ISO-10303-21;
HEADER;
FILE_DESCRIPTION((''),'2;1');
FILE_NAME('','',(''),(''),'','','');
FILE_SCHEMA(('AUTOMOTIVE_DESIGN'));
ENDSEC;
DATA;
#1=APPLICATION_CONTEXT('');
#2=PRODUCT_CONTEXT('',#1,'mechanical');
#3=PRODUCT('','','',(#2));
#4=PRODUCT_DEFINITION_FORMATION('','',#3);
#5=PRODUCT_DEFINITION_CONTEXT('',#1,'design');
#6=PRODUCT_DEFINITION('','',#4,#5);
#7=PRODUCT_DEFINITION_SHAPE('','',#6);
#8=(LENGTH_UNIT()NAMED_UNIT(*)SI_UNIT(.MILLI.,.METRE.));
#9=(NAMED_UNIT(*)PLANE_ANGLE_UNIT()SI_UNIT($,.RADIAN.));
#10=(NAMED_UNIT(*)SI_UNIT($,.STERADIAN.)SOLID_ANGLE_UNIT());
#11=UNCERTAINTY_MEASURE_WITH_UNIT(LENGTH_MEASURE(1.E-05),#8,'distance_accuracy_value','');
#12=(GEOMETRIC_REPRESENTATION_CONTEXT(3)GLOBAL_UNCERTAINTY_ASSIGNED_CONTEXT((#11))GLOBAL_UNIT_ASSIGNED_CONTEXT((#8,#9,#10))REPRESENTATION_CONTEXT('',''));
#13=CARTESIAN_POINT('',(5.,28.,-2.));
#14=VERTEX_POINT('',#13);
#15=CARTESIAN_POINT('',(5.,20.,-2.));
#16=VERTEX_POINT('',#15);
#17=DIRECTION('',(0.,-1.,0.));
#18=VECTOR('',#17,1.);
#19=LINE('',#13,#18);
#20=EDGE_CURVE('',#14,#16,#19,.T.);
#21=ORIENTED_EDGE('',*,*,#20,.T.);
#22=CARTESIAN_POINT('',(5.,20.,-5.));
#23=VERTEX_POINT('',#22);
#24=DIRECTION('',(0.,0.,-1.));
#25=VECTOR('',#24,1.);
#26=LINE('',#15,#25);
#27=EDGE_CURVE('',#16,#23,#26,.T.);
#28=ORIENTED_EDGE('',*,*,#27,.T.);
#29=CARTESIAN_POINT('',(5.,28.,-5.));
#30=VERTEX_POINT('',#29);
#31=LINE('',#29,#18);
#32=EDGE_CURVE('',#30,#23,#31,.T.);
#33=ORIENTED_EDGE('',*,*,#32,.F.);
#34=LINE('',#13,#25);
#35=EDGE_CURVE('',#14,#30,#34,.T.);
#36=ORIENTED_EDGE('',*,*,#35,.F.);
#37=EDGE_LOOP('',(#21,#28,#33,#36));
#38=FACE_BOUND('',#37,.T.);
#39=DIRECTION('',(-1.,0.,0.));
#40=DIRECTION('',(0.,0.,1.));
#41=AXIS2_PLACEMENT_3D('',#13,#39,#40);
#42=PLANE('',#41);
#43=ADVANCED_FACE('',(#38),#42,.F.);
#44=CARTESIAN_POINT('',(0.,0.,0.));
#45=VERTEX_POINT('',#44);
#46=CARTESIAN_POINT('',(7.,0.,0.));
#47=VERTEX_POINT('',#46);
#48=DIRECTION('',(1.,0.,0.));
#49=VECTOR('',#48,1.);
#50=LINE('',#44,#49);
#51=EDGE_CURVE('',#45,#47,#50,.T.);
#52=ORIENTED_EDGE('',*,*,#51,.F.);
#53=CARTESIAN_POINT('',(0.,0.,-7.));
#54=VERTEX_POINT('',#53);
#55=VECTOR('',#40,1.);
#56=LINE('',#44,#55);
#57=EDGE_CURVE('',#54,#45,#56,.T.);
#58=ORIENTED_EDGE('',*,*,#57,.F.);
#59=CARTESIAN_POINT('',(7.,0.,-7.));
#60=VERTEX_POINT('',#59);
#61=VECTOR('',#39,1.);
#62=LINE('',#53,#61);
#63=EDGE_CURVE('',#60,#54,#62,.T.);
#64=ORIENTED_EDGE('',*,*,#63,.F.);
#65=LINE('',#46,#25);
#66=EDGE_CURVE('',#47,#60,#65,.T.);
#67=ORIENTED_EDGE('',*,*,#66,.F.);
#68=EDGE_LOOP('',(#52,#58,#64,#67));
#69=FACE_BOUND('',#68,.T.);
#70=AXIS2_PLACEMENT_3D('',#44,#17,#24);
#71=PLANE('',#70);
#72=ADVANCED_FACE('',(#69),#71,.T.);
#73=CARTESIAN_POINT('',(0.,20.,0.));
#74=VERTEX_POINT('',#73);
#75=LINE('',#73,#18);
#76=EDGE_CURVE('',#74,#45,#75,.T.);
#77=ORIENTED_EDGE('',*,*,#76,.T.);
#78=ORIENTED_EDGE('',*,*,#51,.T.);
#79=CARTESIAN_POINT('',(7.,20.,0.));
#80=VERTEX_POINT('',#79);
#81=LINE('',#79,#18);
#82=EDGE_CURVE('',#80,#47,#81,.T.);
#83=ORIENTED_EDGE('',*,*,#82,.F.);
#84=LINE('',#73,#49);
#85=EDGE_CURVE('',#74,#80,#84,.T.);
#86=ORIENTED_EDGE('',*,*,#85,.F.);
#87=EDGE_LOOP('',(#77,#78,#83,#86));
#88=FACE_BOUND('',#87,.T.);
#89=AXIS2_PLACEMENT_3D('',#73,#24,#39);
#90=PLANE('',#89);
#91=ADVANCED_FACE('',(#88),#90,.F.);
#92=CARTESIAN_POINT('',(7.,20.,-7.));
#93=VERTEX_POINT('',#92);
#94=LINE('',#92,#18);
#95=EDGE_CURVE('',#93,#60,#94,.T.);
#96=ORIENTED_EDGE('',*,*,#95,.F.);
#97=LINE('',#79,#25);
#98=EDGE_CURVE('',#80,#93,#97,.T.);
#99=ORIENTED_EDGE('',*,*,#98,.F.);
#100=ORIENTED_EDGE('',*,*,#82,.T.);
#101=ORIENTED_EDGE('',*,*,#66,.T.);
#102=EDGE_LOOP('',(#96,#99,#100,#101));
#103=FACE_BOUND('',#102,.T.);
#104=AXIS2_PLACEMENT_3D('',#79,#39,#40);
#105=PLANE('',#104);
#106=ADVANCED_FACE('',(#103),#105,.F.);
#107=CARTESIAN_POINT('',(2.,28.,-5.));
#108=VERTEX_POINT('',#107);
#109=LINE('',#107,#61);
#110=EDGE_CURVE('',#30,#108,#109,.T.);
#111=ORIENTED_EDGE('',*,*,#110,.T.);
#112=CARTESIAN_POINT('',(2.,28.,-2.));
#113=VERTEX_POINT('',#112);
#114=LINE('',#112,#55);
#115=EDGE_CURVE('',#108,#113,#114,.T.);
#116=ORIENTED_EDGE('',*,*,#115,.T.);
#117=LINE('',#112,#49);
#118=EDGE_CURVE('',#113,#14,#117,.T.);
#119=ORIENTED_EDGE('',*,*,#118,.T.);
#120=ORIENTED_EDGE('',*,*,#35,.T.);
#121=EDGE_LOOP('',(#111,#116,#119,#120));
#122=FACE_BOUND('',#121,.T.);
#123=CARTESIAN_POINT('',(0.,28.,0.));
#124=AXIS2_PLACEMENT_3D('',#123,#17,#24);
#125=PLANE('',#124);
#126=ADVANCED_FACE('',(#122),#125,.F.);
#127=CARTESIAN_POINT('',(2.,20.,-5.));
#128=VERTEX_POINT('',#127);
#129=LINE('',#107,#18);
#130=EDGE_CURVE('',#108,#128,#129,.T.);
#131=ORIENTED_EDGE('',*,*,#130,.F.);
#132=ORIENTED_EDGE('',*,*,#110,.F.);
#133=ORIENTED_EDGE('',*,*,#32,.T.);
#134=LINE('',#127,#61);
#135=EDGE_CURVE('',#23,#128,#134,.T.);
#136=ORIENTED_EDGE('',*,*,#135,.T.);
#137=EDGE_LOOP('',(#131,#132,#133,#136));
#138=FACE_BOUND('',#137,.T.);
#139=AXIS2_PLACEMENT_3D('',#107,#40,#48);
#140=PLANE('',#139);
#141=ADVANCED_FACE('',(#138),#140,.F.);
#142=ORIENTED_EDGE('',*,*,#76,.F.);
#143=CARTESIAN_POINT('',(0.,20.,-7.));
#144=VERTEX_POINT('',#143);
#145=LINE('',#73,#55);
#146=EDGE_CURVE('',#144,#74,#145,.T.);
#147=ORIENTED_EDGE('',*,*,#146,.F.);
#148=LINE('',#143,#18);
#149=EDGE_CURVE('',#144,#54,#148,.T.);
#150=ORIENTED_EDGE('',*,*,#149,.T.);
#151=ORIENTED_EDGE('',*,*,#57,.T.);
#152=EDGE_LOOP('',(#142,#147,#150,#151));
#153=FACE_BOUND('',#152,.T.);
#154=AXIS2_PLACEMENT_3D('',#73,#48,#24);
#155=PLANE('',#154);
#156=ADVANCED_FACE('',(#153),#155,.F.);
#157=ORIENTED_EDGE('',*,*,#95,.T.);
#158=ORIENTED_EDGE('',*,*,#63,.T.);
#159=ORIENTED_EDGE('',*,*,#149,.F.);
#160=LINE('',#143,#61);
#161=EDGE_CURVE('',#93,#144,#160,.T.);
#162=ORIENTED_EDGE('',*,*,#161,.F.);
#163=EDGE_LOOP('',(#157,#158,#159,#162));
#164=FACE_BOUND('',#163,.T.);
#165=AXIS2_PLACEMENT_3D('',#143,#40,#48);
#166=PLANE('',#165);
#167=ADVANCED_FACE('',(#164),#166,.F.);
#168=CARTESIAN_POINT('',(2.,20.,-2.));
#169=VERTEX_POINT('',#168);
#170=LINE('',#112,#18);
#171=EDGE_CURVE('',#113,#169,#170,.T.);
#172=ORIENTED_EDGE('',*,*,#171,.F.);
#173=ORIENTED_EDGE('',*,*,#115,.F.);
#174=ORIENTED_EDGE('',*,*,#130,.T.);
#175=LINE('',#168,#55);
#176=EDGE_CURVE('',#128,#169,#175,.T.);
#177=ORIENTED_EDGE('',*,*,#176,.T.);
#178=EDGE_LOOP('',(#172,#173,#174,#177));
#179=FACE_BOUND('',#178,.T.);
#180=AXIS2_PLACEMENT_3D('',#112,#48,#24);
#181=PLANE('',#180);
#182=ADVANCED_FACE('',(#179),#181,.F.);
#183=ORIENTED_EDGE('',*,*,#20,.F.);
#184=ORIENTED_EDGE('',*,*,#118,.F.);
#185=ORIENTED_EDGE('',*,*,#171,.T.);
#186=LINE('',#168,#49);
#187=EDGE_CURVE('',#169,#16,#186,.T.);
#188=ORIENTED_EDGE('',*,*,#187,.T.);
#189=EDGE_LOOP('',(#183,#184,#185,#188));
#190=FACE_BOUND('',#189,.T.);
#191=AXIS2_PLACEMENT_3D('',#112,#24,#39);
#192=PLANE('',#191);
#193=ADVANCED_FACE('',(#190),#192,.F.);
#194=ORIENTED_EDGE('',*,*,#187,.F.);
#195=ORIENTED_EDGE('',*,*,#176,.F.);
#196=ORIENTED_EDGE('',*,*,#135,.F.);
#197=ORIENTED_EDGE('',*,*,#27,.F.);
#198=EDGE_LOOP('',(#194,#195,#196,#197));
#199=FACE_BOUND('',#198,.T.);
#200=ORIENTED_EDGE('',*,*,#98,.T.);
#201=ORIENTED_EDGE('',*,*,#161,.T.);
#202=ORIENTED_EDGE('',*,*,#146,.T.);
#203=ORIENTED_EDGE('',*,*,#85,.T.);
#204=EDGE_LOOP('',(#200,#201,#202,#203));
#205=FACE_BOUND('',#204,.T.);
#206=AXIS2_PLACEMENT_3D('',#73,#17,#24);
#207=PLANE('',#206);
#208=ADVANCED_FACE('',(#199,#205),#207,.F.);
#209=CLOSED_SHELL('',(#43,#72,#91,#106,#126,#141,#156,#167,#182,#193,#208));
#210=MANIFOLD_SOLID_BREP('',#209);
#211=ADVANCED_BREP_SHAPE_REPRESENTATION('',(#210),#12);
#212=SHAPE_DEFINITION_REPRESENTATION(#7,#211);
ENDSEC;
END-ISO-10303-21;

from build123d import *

# Parameters (mm, degrees)
SKETCH1_W           = 7
SKETCH1_H           = 7
BOSS_EXTRUDE1_DEPTH = 20
SKETCH2_W           = 3
SKETCH2_H           = 3
BOSS_EXTRUDE2_DEPTH = 8


with BuildPart() as part:
    # Sketch1 → Boss-Extrude1 (new body)
    with BuildSketch(Plane(origin=(0, 0, 0), x_dir=(1, 0, 0), z_dir=(0, 1, 0))):
        with Locations((3.5, 3.5)):
            Rectangle(SKETCH1_W, SKETCH1_H)
    extrude(amount=BOSS_EXTRUDE1_DEPTH)

    # Sketch2 → Boss-Extrude2 (add)
    with BuildSketch(Plane(origin=(0, 20, 0), x_dir=(1, 0, 0), z_dir=(0, 1, 0))):
        with Locations((3.5, 3.5)):
            Rectangle(SKETCH2_W, SKETCH2_H)
    extrude(amount=BOSS_EXTRUDE2_DEPTH)


solid = part.part
